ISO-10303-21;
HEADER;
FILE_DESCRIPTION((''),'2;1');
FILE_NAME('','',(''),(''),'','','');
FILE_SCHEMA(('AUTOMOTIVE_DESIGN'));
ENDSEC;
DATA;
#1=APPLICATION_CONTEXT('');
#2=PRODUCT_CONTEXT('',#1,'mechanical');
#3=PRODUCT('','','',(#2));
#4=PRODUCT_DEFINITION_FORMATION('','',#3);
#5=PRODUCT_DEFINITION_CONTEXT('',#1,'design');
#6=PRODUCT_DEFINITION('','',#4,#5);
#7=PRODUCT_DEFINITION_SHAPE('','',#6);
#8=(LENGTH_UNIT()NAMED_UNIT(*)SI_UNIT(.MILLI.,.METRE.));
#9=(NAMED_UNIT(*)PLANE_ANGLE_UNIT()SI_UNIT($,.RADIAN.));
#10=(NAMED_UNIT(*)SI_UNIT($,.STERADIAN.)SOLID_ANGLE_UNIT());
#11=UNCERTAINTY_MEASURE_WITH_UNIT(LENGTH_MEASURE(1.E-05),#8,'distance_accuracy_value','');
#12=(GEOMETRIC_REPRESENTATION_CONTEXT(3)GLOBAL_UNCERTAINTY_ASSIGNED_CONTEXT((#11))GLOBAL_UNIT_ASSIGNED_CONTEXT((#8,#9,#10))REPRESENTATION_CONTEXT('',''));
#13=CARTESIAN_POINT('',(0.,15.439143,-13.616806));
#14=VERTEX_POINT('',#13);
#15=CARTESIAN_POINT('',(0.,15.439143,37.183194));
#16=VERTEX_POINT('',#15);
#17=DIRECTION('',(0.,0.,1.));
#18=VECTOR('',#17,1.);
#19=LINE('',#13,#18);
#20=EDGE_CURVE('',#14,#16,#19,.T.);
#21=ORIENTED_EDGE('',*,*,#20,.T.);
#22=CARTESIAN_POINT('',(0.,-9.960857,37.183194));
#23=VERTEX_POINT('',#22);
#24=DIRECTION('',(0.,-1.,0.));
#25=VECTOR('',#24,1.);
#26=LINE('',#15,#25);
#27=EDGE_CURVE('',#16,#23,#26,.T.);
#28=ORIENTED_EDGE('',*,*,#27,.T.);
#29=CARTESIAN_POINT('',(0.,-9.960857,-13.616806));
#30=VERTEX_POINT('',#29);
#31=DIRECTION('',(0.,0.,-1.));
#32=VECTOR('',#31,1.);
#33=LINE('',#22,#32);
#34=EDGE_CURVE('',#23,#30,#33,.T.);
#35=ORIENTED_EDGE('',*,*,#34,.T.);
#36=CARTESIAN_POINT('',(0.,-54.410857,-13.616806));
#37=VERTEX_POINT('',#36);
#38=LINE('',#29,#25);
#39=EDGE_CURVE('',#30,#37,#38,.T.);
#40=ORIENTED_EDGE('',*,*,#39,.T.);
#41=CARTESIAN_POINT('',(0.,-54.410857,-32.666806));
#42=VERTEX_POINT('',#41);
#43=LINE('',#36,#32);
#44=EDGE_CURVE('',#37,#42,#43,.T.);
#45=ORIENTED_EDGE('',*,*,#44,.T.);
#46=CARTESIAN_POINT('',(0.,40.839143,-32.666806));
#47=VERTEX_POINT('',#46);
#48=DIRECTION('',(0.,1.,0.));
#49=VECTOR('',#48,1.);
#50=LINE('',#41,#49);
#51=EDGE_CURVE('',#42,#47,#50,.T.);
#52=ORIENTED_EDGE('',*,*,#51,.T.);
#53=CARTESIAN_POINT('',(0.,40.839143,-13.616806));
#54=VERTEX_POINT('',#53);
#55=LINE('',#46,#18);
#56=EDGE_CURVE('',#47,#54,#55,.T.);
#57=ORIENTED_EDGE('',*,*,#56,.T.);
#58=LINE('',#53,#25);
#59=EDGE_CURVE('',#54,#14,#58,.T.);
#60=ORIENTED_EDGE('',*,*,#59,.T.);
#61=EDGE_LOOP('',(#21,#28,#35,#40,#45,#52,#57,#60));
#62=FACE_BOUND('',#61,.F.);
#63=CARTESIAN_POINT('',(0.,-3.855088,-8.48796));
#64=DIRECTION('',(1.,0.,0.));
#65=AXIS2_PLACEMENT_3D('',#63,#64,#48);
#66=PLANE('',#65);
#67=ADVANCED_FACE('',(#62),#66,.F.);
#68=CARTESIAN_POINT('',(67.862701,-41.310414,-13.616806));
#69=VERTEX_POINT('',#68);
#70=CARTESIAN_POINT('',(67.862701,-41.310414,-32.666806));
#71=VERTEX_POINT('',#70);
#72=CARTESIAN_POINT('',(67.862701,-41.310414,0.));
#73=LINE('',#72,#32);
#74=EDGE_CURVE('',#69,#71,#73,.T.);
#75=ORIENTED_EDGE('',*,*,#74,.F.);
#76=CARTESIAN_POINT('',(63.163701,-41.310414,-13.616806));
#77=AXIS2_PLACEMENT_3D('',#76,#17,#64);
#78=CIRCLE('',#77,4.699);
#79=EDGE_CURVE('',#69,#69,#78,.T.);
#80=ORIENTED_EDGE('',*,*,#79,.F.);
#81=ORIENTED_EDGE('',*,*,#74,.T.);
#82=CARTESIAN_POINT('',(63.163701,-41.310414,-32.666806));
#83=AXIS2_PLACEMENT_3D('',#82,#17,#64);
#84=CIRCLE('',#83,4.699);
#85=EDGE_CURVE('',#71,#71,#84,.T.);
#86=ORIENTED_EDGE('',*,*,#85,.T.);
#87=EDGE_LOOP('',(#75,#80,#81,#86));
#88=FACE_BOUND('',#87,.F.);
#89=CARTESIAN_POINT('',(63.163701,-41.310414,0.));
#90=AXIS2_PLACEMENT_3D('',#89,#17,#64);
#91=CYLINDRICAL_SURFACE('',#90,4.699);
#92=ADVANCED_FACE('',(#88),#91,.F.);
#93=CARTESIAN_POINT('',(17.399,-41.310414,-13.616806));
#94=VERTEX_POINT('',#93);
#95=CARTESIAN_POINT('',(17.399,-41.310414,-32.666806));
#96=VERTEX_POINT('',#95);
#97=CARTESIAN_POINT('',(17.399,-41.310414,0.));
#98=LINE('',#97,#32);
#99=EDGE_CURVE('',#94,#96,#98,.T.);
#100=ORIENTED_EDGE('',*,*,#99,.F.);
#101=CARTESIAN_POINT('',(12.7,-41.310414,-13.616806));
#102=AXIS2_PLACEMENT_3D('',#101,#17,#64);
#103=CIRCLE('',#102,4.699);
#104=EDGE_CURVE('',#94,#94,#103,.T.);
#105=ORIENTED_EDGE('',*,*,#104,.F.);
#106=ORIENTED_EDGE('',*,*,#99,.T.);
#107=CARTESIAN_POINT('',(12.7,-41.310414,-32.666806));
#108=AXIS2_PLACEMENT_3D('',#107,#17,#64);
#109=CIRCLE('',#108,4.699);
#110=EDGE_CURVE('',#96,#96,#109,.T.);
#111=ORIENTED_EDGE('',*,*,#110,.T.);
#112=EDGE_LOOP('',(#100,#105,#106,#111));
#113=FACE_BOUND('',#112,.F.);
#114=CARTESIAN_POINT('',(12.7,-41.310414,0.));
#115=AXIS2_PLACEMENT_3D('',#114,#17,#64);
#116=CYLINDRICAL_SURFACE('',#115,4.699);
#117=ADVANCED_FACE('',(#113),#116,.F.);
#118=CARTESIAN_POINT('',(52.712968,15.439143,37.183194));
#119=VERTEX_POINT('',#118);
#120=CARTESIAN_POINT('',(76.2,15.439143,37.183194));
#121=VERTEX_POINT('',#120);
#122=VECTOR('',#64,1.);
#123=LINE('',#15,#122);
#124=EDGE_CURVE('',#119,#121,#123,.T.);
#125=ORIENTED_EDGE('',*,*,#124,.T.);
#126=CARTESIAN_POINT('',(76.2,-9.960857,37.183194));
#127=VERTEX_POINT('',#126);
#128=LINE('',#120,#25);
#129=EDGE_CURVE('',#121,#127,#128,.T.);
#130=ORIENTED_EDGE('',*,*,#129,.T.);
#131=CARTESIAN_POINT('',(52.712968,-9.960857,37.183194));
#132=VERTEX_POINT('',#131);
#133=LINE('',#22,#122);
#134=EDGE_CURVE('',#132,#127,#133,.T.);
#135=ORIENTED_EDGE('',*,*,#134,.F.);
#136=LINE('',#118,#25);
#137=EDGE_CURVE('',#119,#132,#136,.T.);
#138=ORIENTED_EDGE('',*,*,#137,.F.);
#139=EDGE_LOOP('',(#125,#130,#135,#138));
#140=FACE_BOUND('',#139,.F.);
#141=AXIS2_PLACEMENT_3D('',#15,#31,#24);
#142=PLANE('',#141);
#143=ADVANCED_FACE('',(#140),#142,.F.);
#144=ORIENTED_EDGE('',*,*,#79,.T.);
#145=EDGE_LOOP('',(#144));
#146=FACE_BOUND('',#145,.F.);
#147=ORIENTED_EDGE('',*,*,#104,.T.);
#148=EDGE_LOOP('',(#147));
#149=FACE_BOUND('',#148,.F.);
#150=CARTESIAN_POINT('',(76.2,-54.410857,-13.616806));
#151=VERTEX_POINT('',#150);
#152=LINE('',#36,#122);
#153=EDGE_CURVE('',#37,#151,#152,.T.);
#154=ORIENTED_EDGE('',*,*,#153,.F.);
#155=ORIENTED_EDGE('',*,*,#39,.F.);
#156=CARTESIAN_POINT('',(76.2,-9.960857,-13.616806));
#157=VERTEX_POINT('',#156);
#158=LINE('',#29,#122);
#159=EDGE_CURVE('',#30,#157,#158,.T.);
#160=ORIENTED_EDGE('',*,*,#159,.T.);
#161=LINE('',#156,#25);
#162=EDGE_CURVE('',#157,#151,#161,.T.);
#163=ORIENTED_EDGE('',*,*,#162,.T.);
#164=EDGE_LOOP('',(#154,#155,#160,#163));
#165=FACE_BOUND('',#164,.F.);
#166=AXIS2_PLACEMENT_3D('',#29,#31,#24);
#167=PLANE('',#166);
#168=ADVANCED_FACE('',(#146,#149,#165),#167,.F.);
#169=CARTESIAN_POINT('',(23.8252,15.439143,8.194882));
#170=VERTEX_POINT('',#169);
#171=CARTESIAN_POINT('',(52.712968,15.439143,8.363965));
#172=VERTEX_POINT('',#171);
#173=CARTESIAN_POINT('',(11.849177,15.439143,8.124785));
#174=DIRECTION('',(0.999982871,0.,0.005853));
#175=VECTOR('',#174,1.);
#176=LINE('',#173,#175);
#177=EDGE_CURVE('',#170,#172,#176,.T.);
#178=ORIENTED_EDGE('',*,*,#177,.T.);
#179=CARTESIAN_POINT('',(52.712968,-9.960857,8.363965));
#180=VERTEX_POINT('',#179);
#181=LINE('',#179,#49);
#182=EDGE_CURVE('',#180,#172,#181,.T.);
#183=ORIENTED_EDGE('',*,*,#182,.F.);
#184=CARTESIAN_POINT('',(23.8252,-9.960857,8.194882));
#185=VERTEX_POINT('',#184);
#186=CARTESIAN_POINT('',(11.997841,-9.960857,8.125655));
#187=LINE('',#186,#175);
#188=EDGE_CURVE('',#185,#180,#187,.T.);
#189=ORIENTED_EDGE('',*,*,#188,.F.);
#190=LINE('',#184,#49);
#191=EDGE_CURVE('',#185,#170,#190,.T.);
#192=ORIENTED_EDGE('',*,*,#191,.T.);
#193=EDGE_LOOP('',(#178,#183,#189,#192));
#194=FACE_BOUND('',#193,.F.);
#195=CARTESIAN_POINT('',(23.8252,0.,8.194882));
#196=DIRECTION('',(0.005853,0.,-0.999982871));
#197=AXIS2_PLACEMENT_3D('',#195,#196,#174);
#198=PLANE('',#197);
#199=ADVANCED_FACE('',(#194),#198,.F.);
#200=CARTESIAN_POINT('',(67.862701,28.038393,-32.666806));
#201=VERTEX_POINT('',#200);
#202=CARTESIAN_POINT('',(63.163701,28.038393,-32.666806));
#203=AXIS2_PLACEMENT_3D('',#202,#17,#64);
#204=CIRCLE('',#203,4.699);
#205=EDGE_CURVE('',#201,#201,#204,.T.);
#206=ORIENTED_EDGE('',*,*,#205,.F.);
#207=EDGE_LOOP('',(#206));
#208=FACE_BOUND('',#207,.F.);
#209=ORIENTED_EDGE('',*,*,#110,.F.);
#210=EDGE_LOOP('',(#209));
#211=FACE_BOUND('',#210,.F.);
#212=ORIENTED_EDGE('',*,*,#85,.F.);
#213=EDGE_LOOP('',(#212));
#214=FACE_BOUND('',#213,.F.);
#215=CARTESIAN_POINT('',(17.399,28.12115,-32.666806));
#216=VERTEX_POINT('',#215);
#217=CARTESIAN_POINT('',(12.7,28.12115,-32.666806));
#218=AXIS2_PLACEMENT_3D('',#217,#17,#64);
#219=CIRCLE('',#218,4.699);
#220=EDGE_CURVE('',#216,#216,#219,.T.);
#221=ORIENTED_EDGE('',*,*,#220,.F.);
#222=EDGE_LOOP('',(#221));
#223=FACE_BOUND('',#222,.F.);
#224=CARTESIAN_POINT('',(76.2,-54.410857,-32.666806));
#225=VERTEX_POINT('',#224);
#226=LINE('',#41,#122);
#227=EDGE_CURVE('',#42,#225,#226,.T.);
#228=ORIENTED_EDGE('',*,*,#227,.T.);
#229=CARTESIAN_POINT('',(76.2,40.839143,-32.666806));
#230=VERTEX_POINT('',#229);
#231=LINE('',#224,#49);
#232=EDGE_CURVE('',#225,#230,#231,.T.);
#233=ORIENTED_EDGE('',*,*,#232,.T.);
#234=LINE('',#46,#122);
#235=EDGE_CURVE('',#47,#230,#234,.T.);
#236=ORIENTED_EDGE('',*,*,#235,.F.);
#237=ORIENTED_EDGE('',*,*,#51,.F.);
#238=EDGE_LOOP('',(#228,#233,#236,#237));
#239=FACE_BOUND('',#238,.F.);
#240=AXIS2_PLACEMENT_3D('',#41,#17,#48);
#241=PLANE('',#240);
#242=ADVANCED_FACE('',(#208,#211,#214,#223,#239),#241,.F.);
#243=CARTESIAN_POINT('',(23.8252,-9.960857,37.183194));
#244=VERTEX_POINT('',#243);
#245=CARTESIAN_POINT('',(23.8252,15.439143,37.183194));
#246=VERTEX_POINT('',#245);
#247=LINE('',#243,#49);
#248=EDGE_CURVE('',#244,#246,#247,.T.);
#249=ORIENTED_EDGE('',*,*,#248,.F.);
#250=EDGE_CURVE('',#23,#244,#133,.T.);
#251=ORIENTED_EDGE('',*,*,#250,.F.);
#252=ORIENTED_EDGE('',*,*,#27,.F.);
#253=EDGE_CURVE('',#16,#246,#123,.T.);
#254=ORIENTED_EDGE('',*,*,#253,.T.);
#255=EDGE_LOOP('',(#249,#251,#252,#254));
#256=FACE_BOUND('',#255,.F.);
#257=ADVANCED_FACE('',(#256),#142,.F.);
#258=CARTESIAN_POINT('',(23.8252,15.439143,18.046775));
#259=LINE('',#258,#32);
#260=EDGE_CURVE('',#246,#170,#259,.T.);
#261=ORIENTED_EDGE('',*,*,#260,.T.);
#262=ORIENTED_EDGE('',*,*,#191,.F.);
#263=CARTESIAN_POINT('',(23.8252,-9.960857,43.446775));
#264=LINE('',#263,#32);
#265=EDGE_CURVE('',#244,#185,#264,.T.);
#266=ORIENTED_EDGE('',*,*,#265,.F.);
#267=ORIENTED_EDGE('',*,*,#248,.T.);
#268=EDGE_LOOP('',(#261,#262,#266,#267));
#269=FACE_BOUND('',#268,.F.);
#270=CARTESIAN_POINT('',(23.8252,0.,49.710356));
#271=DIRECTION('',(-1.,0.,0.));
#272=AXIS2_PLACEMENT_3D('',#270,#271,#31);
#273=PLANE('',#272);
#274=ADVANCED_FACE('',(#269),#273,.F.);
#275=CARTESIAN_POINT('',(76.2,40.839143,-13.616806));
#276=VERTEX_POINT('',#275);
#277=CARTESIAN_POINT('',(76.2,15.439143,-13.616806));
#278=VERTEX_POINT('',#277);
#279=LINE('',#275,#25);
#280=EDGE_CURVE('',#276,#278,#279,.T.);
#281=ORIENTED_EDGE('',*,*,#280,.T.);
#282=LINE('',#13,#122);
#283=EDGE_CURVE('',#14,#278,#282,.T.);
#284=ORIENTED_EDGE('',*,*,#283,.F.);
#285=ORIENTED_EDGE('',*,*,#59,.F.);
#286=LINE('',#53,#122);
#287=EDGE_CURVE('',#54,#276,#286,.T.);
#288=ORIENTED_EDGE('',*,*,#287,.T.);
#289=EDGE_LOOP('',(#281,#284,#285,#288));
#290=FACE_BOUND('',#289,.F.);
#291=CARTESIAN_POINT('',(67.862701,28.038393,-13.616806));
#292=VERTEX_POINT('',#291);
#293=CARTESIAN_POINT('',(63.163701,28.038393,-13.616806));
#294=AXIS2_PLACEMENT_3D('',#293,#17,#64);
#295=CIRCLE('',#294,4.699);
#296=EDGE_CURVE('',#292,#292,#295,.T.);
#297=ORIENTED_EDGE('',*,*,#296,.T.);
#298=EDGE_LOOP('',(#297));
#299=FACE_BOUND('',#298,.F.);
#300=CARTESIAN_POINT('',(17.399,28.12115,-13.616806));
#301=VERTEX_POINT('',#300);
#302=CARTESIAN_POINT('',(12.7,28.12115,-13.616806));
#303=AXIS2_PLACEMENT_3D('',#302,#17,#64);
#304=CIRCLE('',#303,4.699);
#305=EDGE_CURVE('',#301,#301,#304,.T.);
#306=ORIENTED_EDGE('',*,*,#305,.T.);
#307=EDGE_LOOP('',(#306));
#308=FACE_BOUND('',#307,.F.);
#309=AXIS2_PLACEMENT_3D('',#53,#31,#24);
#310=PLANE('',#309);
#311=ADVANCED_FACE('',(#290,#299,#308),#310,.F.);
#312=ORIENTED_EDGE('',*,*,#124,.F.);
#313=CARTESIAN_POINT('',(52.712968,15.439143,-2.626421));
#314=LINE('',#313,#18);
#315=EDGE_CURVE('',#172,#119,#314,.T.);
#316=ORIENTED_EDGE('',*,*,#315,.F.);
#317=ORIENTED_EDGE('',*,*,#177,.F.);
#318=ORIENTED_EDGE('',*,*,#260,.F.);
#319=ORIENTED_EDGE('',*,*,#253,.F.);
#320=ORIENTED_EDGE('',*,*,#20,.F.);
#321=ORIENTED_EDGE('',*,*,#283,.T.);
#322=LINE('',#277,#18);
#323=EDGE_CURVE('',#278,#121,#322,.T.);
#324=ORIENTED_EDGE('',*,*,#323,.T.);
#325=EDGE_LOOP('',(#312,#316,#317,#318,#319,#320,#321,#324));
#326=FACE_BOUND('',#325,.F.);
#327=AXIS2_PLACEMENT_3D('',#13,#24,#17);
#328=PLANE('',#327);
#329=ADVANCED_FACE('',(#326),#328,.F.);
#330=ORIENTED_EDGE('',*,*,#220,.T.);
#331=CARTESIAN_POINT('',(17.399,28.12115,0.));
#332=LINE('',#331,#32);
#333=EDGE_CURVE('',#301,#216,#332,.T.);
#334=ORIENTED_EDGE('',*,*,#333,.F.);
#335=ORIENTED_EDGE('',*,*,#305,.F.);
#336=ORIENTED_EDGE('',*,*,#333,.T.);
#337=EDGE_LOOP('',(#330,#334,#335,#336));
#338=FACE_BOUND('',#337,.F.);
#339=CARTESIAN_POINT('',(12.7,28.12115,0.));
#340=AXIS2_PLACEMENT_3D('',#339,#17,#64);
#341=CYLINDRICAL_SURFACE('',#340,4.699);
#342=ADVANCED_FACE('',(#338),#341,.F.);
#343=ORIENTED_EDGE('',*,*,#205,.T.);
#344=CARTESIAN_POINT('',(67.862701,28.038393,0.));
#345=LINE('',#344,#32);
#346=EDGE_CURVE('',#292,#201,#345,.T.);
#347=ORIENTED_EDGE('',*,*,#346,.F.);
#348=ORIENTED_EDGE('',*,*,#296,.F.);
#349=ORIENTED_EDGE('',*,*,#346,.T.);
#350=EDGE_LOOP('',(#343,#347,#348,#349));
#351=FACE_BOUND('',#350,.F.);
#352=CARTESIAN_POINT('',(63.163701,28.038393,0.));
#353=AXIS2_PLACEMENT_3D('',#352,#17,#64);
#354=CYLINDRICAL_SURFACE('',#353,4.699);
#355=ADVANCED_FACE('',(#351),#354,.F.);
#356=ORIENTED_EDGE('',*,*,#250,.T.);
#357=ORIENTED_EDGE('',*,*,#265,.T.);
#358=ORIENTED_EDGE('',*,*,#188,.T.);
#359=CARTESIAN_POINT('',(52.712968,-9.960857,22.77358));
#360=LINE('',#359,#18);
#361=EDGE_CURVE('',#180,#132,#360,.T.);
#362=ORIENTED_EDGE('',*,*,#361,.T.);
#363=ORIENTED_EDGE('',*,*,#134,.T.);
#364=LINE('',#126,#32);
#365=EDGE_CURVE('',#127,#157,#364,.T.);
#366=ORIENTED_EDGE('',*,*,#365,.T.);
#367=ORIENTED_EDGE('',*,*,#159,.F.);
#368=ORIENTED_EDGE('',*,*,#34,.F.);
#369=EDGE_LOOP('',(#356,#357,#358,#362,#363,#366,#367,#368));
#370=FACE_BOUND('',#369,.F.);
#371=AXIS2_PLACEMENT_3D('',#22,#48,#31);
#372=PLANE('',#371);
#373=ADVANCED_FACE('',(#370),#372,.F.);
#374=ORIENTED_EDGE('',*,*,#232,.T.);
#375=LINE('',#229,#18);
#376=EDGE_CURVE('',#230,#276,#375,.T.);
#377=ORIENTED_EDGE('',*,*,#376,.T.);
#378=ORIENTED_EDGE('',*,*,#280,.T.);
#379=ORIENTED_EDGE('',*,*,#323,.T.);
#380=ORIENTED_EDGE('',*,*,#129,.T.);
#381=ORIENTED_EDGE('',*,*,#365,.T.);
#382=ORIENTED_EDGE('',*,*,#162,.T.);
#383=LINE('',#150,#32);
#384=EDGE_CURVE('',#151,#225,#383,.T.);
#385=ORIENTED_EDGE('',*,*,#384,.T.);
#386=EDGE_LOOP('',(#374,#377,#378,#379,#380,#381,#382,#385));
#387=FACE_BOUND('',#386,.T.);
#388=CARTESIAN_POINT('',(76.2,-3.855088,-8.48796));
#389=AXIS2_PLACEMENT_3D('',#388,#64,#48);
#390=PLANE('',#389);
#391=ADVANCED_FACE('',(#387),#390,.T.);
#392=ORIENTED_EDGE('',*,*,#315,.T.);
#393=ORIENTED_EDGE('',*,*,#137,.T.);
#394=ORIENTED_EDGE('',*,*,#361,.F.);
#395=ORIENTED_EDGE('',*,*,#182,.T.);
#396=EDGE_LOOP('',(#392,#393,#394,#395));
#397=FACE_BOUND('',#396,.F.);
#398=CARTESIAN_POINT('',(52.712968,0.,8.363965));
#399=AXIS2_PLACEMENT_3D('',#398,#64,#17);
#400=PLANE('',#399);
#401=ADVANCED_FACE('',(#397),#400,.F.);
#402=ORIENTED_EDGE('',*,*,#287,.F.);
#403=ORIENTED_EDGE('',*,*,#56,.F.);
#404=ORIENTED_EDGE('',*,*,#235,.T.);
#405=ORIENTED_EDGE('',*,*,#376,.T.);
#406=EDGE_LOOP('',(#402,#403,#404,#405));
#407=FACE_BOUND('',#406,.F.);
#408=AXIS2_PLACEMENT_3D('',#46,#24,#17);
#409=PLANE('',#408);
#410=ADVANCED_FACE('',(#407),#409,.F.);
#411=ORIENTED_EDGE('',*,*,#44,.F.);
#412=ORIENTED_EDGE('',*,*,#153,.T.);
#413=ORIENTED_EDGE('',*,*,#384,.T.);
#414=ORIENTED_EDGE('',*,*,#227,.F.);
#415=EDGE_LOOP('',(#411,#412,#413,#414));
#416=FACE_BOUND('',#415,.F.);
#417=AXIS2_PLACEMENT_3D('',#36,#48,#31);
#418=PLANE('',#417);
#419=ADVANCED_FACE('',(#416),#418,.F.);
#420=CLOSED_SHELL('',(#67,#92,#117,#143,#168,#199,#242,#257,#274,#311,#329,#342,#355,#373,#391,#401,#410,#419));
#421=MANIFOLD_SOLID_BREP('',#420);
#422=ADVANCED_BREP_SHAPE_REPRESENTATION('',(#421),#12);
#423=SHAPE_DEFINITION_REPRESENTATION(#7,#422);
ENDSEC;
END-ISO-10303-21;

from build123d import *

# Parameters (mm, degrees)
F1_DEPTH      = 76.2
F3_DEPTH      = 54.411857
F3_DEPTH_BACK = 50.8
F4_R          = 4.699
F5_DEPTH      = 32.667806


with BuildPart() as f1:
    # F0 (on Right) → F1 (new body)
    with BuildSketch(Plane.YZ):
        Polygon((-54.410857, -32.666806), (40.839143, -32.666806), (40.839143, -13.616806), (15.439143, -13.616806), (15.439143, 37.183194), (-9.960857, 37.183194), (-9.960857, -13.616806), (-54.410857, -13.616806), align=None)
    extrude(amount=F1_DEPTH)

    # F2 (on Front) → F3 (cut, two sides)
    with BuildSketch(Plane.XZ) as f3_sk:
        Polygon((52.712968, 8.363965), (52.712968, 36.938965), (52.712968, 49.710356), (23.8252, 49.710356), (23.8252, 36.769882), (23.8252, 8.194882), align=None)
    extrude(amount=F3_DEPTH, mode=Mode.SUBTRACT)
    extrude(f3_sk.sketch, amount=-F3_DEPTH_BACK, mode=Mode.SUBTRACT)

    # F4 (on Top) → F5 (cut, through all)
    with BuildSketch(Plane.XY):
        with Locations((12.7, 28.12115)):
            Circle(F4_R)
        with Locations((63.163701, 28.038393)):
            Circle(F4_R)
        with Locations((63.163701, -41.310414)):
            Circle(F4_R)
        with Locations((12.7, -41.310414)):
            Circle(F4_R)
    extrude(amount=-F5_DEPTH, mode=Mode.SUBTRACT)


solid = f1.part
